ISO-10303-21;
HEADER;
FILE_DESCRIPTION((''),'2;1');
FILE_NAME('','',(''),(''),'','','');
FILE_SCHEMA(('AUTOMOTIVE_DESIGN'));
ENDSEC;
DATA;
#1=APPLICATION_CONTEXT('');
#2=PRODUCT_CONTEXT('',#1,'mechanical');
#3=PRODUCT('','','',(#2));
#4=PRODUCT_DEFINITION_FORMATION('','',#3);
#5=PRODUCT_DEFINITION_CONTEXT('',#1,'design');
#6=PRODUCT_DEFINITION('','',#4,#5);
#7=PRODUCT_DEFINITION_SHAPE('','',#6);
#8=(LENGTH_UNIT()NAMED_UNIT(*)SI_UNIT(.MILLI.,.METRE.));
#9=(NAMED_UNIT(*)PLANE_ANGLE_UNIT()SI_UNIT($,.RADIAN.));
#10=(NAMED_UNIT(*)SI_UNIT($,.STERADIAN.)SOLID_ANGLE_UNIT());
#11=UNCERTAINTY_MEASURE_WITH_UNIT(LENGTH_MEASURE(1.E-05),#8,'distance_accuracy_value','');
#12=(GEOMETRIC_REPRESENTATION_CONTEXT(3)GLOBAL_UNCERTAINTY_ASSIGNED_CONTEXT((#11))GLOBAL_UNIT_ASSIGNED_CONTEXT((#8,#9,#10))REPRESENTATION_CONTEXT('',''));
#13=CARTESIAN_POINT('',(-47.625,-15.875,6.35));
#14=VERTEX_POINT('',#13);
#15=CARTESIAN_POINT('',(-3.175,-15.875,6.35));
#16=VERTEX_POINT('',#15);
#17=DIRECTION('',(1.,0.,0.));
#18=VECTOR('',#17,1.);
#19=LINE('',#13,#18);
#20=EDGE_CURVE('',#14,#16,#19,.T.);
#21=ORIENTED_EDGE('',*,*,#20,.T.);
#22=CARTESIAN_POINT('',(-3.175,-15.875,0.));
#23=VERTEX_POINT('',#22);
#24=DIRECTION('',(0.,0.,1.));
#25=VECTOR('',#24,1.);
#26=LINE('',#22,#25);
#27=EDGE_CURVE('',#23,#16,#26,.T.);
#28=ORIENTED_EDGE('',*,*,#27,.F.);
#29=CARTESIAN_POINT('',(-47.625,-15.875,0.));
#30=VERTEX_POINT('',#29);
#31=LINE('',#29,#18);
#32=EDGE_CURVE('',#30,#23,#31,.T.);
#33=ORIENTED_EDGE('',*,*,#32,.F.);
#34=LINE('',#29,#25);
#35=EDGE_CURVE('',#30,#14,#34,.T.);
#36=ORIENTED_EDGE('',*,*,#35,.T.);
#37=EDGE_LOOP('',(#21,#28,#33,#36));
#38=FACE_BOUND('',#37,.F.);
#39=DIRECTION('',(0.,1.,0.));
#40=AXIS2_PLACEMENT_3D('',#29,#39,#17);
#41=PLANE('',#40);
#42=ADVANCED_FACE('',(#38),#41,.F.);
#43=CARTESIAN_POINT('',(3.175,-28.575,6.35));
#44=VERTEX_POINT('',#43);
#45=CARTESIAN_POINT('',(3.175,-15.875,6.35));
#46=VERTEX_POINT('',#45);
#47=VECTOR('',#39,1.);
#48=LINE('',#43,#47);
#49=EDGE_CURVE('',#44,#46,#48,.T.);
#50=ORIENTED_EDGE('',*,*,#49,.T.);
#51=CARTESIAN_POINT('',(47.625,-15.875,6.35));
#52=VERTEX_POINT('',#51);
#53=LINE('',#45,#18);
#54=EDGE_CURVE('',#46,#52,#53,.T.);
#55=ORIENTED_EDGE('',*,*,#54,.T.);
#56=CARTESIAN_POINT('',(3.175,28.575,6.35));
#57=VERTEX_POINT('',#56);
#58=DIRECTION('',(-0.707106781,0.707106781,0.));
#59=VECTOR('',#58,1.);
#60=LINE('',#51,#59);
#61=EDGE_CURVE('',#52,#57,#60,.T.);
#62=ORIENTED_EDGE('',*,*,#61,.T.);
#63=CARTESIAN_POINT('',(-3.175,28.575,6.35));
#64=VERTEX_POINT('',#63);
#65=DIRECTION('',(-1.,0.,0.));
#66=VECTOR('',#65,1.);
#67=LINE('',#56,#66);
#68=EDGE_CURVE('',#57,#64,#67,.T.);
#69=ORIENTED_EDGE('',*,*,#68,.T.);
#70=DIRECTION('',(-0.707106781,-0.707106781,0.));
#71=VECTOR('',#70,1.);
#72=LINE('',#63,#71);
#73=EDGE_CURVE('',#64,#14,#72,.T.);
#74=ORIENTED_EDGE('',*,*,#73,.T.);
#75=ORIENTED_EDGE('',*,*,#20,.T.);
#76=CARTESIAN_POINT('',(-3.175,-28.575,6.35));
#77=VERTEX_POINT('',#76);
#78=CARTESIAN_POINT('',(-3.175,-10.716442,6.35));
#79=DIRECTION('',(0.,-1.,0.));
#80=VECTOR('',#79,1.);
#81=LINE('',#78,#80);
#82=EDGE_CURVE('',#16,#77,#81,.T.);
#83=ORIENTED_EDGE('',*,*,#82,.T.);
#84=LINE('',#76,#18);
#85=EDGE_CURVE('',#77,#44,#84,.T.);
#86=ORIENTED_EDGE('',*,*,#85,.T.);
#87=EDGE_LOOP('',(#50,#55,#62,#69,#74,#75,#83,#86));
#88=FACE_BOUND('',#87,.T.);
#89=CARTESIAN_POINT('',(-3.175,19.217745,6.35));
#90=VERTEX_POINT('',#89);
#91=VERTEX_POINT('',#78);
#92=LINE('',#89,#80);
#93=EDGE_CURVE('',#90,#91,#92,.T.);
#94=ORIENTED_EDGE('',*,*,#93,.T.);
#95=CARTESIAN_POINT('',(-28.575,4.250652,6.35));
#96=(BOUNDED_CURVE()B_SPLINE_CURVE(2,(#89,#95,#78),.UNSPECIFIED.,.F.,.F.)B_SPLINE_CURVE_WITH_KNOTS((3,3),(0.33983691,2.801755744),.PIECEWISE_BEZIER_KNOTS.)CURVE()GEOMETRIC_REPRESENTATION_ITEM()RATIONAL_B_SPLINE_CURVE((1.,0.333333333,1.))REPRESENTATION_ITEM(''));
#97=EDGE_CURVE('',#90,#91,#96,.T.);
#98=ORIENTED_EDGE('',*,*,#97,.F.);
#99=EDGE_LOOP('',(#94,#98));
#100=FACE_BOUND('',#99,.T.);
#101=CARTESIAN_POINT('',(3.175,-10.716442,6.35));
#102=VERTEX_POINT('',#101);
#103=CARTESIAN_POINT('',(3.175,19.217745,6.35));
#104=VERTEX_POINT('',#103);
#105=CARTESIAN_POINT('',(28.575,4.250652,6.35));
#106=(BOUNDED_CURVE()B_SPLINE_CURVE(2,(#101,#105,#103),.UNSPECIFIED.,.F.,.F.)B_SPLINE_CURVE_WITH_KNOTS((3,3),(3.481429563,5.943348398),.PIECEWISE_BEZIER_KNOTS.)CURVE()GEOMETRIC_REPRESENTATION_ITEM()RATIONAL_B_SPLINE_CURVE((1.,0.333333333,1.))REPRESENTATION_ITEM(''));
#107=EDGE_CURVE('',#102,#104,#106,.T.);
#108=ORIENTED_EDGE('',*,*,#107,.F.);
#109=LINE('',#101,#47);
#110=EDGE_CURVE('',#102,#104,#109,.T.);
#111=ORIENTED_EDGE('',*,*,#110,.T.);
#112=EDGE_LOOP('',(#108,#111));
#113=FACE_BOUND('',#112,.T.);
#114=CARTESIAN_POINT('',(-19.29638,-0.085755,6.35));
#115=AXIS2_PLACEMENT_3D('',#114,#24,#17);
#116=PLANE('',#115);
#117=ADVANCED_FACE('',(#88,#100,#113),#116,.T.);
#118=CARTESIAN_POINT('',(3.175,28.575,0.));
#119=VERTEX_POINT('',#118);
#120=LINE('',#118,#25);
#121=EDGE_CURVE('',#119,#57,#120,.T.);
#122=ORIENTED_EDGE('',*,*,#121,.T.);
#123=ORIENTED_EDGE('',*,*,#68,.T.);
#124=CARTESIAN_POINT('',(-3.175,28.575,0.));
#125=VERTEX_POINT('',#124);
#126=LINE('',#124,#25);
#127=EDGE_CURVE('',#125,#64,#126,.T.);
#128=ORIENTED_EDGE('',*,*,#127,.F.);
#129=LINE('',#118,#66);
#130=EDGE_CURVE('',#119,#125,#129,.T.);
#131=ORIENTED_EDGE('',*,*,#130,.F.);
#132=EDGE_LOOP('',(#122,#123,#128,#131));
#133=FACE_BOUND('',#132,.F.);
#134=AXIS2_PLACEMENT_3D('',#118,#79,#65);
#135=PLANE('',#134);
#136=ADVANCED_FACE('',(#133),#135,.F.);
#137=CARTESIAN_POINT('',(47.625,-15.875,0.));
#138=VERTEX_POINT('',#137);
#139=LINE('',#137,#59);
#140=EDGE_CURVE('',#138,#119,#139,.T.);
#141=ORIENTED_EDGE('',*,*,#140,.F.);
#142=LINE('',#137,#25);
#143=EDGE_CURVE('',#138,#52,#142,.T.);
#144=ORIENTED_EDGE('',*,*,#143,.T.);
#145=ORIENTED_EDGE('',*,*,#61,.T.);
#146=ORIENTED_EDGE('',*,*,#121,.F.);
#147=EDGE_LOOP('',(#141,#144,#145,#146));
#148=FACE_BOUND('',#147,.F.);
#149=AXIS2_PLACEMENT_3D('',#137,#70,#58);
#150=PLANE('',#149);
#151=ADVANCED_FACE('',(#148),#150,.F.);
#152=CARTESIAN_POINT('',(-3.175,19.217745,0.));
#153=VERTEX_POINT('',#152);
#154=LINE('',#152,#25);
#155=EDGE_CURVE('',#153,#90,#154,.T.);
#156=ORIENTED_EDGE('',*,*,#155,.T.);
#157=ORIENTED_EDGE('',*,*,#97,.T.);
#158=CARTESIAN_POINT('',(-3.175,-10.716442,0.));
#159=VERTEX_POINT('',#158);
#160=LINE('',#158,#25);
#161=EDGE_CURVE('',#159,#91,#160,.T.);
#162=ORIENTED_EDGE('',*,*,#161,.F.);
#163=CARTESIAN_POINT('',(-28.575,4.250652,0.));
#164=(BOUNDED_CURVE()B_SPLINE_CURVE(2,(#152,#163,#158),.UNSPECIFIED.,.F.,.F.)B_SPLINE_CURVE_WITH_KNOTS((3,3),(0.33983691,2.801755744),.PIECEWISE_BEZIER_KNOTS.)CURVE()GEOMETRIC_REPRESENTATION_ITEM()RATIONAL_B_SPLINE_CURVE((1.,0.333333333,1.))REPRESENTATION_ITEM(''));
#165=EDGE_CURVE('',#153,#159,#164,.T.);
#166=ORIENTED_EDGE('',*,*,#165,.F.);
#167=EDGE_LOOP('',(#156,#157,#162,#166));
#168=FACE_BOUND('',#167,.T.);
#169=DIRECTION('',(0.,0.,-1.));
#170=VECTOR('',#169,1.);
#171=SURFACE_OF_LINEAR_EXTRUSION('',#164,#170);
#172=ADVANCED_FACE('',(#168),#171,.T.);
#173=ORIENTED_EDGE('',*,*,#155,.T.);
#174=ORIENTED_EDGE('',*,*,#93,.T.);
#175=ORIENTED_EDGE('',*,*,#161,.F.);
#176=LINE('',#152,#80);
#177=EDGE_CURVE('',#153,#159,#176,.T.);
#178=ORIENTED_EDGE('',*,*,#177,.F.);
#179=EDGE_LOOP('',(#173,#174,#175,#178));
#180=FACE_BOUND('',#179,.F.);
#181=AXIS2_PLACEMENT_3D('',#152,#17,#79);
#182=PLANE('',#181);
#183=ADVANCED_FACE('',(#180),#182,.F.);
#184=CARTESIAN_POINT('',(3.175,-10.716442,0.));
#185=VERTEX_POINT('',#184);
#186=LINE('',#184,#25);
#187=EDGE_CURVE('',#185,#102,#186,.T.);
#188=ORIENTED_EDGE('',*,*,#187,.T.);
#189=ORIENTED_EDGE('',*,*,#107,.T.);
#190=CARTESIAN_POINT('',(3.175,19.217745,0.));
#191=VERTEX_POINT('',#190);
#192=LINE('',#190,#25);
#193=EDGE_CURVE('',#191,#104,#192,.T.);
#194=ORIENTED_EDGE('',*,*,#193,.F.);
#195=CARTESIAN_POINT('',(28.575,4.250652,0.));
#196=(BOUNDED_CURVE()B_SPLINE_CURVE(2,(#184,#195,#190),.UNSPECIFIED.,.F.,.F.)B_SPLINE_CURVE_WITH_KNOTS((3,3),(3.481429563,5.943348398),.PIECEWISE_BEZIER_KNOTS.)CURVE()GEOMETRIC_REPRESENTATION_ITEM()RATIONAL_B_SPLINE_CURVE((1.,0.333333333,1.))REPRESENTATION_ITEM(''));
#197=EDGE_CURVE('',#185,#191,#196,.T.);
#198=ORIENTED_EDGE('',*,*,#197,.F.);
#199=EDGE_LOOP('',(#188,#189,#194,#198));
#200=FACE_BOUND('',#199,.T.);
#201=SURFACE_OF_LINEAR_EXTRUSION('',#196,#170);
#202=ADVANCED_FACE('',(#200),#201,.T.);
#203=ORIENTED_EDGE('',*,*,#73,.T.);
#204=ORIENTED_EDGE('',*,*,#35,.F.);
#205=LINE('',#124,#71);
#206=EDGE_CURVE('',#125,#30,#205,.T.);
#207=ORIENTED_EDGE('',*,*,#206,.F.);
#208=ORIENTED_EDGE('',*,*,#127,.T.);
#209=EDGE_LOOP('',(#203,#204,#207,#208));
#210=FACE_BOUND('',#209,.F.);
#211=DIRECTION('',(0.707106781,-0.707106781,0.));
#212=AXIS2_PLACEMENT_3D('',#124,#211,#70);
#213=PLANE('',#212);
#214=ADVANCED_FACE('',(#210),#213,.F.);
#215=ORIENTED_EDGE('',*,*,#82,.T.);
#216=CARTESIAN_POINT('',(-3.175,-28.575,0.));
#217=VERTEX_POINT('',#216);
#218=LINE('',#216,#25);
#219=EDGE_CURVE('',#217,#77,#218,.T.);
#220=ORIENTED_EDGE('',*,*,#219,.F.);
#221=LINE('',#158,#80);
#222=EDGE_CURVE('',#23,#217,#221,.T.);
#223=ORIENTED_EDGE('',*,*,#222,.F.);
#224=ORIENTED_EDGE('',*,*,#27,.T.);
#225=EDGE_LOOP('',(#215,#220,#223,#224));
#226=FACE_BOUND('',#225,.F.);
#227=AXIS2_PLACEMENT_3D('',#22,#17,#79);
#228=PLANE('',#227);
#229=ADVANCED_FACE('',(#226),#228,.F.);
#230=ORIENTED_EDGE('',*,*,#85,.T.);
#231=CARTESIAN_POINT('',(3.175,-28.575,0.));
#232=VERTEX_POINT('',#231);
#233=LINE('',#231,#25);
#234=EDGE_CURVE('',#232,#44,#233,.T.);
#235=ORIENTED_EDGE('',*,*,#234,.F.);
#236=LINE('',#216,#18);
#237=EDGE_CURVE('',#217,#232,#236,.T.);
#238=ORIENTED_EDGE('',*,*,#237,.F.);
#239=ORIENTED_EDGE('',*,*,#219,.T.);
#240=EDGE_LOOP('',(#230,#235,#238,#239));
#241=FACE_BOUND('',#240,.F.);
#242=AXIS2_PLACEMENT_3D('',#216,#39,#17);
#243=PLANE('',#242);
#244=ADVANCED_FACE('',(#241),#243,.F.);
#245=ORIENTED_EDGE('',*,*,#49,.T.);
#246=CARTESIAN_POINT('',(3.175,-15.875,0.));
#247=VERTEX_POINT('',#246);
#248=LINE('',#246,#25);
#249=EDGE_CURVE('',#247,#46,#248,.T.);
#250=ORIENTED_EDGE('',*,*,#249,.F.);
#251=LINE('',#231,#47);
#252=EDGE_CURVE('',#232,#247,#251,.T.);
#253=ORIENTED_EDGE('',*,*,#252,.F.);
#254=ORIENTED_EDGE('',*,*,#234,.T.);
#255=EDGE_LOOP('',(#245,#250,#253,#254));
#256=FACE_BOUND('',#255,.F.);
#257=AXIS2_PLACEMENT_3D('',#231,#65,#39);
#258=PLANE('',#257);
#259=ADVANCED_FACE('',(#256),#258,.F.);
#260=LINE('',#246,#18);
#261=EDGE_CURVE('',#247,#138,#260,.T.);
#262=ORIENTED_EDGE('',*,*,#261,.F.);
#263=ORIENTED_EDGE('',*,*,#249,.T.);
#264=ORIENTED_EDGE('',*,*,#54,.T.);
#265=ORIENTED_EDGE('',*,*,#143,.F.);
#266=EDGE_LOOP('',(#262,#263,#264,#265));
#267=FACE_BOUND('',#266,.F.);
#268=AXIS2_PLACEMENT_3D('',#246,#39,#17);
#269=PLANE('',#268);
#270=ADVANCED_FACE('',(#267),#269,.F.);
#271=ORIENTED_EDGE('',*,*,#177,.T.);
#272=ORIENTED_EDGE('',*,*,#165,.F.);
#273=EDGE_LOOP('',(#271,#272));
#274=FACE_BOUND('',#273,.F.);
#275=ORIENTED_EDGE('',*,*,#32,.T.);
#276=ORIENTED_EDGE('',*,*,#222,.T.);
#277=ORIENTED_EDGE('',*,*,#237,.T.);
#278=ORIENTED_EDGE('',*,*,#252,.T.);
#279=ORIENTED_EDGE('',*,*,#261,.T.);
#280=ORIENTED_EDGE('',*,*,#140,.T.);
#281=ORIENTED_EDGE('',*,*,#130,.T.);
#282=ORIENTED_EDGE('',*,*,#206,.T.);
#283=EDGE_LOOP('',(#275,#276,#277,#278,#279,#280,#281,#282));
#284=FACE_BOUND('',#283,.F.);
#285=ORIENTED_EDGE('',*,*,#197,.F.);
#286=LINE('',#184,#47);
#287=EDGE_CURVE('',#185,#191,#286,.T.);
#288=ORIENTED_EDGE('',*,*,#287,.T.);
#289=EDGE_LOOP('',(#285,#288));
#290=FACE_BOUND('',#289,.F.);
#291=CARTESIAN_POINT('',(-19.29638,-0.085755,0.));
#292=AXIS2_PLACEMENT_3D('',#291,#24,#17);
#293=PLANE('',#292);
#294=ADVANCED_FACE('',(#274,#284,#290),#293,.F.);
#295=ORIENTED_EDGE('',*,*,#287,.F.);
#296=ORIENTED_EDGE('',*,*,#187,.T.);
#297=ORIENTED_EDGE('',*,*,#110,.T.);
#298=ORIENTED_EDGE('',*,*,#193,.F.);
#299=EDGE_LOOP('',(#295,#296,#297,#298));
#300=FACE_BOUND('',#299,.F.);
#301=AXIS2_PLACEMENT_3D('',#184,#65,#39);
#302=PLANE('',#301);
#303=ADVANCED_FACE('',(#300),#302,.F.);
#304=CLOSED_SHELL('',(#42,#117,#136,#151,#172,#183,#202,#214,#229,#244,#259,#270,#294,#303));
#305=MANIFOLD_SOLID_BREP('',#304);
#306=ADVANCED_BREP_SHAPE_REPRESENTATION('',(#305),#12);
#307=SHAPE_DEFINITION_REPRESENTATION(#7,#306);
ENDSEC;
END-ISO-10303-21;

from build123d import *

# Parameters (mm, degrees)
F1_DEPTH = 6.35


with BuildPart() as f1:
    # F0 (on Top) → F1 (new body)
    with BuildSketch(Plane.XY):
        with BuildLine():
            Line((-3.175, 19.2177452262), (-3.175, 28.575))
            Line((-3.175, 28.575), (-47.625, -15.875))
            Line((-47.625, -15.875), (-3.175, -15.875))
            Line((-3.175, -15.875), (-3.175, -10.716441844))
            add(Edge.make_bspline(
                [(-3.175, 19.2177452262), (-28.575, 4.2506516911), (-3.175, -10.716441844)],
                knots=[0.3398369095, 0.3398369095, 0.3398369095, 2.8017557441, 2.8017557441, 2.8017557441], degree=2, weights=[1, 0.3333333333, 1]))
        make_face()
        with BuildLine():
            Line((47.625, -15.875), (3.175, 28.575))
            Line((3.175, 28.575), (3.175, 19.2177452262))
            add(Edge.make_bspline(
                [(3.175, -10.716441844), (28.575, 4.2506516911), (3.175, 19.2177452262)],
                knots=[3.481429563, 3.481429563, 3.481429563, 5.9433483977, 5.9433483977, 5.9433483977], degree=2, weights=[1, 0.3333333333, 1]))
            Line((3.175, -10.716441844), (3.175, -15.875))
            Line((3.175, -15.875), (47.625, -15.875))
        make_face()
        with BuildLine():
            Line((3.175, -10.716441844), (3.175, 19.2177452262))
            add(Edge.make_bspline(
                [(3.175, 19.2177452262), (1.6342316368, 20.1256516911), (0, 20.1256516911)],
                knots=[5.9433483977, 5.9433483977, 5.9433483977, 6.2831853072, 6.2831853072, 6.2831853072], degree=2, weights=[1, 0.9855985597, 1]))
            add(Edge.make_bspline(
                [(0, 20.1256516911), (-1.6342316368, 20.1256516911), (-3.175, 19.2177452262)],
                knots=[0, 0, 0, 0.3398369095, 0.3398369095, 0.3398369095], degree=2, weights=[1, 0.9855985597, 1]))
            Line((-3.175, 19.2177452262), (-3.175, -10.716441844))
            add(Edge.make_bspline(
                [(-3.175, -10.716441844), (0, -12.5873285359), (3.175, -10.716441844)],
                knots=[2.8017557441, 2.8017557441, 2.8017557441, 3.481429563, 3.481429563, 3.481429563], degree=2, weights=[1, 0.9428090416, 1]))
        make_face()
        with BuildLine():
            Line((3.175, 19.2177452262), (3.175, 28.575))
            Line((3.175, 28.575), (-3.175, 28.575))
            Line((-3.175, 28.575), (-3.175, 19.2177452262))
            add(Edge.make_bspline(
                [(0, 20.1256516911), (-1.6342316368, 20.1256516911), (-3.175, 19.2177452262)],
                knots=[0, 0, 0, 0.3398369095, 0.3398369095, 0.3398369095], degree=2, weights=[1, 0.9855985597, 1]))
            add(Edge.make_bspline(
                [(3.175, 19.2177452262), (1.6342316368, 20.1256516911), (0, 20.1256516911)],
                knots=[5.9433483977, 5.9433483977, 5.9433483977, 6.2831853072, 6.2831853072, 6.2831853072], degree=2, weights=[1, 0.9855985597, 1]))
        make_face()
        with BuildLine():
            Line((3.175, -15.875), (3.175, -10.716441844))
            add(Edge.make_bspline(
                [(-3.175, -10.716441844), (0, -12.5873285359), (3.175, -10.716441844)],
                knots=[2.8017557441, 2.8017557441, 2.8017557441, 3.481429563, 3.481429563, 3.481429563], degree=2, weights=[1, 0.9428090416, 1]))
            Line((-3.175, -10.716441844), (-3.175, -15.875))
            Line((-3.175, -15.875), (-3.175, -28.575))
            Line((-3.175, -28.575), (3.175, -28.575))
            Line((3.175, -28.575), (3.175, -15.875))
        make_face()
    extrude(amount=F1_DEPTH)


solid = f1.part
